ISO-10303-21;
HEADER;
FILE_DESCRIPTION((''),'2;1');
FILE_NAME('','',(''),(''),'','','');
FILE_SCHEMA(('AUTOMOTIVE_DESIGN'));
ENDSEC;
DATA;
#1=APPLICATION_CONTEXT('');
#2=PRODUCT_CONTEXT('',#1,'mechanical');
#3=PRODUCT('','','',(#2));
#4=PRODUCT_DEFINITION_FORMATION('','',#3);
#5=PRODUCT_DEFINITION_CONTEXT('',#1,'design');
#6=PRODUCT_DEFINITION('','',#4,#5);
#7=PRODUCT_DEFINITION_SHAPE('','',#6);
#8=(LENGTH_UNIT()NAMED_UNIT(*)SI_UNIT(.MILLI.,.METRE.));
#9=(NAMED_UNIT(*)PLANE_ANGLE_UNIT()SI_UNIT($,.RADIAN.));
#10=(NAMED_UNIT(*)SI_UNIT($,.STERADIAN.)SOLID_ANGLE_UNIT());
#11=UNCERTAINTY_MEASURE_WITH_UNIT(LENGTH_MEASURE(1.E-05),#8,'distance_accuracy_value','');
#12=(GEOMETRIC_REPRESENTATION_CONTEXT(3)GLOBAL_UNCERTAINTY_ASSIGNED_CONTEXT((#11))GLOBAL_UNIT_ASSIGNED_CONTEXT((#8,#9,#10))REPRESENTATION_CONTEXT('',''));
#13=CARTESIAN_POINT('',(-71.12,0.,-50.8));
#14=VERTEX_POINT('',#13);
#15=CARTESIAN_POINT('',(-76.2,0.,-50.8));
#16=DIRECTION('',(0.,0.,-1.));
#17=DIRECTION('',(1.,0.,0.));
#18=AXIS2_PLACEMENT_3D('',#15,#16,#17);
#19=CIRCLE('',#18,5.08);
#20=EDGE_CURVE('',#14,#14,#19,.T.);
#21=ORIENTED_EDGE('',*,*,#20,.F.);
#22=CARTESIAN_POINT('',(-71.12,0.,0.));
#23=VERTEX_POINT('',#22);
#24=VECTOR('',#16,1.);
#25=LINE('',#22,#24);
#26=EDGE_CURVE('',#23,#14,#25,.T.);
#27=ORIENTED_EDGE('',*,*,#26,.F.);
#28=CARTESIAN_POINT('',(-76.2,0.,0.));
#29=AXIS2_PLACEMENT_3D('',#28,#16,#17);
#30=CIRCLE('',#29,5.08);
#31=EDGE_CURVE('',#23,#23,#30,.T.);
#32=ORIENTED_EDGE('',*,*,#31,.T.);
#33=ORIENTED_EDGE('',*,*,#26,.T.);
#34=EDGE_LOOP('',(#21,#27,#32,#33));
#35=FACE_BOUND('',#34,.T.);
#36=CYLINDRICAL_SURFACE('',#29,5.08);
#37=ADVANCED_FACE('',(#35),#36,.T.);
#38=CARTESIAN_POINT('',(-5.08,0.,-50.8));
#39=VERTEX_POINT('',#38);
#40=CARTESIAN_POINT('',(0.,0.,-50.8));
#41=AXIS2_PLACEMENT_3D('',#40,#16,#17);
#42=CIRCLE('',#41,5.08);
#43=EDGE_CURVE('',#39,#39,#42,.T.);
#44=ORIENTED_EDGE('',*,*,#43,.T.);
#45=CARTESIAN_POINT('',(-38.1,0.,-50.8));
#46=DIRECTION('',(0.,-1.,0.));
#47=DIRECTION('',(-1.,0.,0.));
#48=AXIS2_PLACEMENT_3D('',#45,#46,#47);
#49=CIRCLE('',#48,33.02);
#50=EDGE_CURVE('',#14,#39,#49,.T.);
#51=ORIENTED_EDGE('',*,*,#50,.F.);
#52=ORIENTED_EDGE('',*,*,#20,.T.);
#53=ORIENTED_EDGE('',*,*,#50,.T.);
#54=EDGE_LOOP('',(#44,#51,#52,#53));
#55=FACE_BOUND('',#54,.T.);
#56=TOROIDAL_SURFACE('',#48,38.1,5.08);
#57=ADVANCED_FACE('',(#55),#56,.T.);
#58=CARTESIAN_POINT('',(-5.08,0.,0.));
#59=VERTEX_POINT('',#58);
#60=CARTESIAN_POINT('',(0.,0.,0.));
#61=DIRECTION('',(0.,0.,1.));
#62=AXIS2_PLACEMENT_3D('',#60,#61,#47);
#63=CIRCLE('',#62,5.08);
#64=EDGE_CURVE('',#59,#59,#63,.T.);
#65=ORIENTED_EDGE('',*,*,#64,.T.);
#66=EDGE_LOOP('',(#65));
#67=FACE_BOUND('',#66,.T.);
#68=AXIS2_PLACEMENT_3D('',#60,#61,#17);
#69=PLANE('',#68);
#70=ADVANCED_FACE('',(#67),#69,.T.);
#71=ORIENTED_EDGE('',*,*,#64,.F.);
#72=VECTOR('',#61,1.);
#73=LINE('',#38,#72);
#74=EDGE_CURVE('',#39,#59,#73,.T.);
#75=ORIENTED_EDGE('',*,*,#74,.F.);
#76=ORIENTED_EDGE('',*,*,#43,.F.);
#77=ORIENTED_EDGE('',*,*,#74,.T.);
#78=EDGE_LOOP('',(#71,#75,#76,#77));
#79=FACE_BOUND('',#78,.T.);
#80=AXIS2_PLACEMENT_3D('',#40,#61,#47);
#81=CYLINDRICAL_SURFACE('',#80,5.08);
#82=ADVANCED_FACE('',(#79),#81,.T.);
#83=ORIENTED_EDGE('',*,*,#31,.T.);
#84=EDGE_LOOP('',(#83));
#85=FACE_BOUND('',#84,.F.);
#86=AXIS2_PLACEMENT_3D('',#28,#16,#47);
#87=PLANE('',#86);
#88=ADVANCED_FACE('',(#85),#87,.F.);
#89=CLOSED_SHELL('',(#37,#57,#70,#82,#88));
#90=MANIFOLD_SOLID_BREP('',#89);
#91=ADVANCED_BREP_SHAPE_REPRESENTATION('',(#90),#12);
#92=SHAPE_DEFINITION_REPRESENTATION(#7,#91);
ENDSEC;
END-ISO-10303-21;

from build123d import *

# Parameters (mm, degrees)
F3_R = 5.08


with BuildPart() as f4:
    # F4: sweep along a path in F0
    with BuildLine(Plane.XZ) as f4_path:
        Line((-76.2, 0), (-76.2, -50.8))
        ThreePointArc((-76.2, -50.8), (-38.1, -88.9), (0, -50.8))
        Line((0, -50.8), (0, 0))
    # F3 (on face) → F4 (sweep)
    with BuildSketch(Plane(origin=(0, 0, 0), x_dir=(1, 0, 0), z_dir=(0, 0, -1))):
        with Locations((-76.2, 0)):
            Circle(F3_R)
    sweep(path=f4_path.line)


solid = f4.part
